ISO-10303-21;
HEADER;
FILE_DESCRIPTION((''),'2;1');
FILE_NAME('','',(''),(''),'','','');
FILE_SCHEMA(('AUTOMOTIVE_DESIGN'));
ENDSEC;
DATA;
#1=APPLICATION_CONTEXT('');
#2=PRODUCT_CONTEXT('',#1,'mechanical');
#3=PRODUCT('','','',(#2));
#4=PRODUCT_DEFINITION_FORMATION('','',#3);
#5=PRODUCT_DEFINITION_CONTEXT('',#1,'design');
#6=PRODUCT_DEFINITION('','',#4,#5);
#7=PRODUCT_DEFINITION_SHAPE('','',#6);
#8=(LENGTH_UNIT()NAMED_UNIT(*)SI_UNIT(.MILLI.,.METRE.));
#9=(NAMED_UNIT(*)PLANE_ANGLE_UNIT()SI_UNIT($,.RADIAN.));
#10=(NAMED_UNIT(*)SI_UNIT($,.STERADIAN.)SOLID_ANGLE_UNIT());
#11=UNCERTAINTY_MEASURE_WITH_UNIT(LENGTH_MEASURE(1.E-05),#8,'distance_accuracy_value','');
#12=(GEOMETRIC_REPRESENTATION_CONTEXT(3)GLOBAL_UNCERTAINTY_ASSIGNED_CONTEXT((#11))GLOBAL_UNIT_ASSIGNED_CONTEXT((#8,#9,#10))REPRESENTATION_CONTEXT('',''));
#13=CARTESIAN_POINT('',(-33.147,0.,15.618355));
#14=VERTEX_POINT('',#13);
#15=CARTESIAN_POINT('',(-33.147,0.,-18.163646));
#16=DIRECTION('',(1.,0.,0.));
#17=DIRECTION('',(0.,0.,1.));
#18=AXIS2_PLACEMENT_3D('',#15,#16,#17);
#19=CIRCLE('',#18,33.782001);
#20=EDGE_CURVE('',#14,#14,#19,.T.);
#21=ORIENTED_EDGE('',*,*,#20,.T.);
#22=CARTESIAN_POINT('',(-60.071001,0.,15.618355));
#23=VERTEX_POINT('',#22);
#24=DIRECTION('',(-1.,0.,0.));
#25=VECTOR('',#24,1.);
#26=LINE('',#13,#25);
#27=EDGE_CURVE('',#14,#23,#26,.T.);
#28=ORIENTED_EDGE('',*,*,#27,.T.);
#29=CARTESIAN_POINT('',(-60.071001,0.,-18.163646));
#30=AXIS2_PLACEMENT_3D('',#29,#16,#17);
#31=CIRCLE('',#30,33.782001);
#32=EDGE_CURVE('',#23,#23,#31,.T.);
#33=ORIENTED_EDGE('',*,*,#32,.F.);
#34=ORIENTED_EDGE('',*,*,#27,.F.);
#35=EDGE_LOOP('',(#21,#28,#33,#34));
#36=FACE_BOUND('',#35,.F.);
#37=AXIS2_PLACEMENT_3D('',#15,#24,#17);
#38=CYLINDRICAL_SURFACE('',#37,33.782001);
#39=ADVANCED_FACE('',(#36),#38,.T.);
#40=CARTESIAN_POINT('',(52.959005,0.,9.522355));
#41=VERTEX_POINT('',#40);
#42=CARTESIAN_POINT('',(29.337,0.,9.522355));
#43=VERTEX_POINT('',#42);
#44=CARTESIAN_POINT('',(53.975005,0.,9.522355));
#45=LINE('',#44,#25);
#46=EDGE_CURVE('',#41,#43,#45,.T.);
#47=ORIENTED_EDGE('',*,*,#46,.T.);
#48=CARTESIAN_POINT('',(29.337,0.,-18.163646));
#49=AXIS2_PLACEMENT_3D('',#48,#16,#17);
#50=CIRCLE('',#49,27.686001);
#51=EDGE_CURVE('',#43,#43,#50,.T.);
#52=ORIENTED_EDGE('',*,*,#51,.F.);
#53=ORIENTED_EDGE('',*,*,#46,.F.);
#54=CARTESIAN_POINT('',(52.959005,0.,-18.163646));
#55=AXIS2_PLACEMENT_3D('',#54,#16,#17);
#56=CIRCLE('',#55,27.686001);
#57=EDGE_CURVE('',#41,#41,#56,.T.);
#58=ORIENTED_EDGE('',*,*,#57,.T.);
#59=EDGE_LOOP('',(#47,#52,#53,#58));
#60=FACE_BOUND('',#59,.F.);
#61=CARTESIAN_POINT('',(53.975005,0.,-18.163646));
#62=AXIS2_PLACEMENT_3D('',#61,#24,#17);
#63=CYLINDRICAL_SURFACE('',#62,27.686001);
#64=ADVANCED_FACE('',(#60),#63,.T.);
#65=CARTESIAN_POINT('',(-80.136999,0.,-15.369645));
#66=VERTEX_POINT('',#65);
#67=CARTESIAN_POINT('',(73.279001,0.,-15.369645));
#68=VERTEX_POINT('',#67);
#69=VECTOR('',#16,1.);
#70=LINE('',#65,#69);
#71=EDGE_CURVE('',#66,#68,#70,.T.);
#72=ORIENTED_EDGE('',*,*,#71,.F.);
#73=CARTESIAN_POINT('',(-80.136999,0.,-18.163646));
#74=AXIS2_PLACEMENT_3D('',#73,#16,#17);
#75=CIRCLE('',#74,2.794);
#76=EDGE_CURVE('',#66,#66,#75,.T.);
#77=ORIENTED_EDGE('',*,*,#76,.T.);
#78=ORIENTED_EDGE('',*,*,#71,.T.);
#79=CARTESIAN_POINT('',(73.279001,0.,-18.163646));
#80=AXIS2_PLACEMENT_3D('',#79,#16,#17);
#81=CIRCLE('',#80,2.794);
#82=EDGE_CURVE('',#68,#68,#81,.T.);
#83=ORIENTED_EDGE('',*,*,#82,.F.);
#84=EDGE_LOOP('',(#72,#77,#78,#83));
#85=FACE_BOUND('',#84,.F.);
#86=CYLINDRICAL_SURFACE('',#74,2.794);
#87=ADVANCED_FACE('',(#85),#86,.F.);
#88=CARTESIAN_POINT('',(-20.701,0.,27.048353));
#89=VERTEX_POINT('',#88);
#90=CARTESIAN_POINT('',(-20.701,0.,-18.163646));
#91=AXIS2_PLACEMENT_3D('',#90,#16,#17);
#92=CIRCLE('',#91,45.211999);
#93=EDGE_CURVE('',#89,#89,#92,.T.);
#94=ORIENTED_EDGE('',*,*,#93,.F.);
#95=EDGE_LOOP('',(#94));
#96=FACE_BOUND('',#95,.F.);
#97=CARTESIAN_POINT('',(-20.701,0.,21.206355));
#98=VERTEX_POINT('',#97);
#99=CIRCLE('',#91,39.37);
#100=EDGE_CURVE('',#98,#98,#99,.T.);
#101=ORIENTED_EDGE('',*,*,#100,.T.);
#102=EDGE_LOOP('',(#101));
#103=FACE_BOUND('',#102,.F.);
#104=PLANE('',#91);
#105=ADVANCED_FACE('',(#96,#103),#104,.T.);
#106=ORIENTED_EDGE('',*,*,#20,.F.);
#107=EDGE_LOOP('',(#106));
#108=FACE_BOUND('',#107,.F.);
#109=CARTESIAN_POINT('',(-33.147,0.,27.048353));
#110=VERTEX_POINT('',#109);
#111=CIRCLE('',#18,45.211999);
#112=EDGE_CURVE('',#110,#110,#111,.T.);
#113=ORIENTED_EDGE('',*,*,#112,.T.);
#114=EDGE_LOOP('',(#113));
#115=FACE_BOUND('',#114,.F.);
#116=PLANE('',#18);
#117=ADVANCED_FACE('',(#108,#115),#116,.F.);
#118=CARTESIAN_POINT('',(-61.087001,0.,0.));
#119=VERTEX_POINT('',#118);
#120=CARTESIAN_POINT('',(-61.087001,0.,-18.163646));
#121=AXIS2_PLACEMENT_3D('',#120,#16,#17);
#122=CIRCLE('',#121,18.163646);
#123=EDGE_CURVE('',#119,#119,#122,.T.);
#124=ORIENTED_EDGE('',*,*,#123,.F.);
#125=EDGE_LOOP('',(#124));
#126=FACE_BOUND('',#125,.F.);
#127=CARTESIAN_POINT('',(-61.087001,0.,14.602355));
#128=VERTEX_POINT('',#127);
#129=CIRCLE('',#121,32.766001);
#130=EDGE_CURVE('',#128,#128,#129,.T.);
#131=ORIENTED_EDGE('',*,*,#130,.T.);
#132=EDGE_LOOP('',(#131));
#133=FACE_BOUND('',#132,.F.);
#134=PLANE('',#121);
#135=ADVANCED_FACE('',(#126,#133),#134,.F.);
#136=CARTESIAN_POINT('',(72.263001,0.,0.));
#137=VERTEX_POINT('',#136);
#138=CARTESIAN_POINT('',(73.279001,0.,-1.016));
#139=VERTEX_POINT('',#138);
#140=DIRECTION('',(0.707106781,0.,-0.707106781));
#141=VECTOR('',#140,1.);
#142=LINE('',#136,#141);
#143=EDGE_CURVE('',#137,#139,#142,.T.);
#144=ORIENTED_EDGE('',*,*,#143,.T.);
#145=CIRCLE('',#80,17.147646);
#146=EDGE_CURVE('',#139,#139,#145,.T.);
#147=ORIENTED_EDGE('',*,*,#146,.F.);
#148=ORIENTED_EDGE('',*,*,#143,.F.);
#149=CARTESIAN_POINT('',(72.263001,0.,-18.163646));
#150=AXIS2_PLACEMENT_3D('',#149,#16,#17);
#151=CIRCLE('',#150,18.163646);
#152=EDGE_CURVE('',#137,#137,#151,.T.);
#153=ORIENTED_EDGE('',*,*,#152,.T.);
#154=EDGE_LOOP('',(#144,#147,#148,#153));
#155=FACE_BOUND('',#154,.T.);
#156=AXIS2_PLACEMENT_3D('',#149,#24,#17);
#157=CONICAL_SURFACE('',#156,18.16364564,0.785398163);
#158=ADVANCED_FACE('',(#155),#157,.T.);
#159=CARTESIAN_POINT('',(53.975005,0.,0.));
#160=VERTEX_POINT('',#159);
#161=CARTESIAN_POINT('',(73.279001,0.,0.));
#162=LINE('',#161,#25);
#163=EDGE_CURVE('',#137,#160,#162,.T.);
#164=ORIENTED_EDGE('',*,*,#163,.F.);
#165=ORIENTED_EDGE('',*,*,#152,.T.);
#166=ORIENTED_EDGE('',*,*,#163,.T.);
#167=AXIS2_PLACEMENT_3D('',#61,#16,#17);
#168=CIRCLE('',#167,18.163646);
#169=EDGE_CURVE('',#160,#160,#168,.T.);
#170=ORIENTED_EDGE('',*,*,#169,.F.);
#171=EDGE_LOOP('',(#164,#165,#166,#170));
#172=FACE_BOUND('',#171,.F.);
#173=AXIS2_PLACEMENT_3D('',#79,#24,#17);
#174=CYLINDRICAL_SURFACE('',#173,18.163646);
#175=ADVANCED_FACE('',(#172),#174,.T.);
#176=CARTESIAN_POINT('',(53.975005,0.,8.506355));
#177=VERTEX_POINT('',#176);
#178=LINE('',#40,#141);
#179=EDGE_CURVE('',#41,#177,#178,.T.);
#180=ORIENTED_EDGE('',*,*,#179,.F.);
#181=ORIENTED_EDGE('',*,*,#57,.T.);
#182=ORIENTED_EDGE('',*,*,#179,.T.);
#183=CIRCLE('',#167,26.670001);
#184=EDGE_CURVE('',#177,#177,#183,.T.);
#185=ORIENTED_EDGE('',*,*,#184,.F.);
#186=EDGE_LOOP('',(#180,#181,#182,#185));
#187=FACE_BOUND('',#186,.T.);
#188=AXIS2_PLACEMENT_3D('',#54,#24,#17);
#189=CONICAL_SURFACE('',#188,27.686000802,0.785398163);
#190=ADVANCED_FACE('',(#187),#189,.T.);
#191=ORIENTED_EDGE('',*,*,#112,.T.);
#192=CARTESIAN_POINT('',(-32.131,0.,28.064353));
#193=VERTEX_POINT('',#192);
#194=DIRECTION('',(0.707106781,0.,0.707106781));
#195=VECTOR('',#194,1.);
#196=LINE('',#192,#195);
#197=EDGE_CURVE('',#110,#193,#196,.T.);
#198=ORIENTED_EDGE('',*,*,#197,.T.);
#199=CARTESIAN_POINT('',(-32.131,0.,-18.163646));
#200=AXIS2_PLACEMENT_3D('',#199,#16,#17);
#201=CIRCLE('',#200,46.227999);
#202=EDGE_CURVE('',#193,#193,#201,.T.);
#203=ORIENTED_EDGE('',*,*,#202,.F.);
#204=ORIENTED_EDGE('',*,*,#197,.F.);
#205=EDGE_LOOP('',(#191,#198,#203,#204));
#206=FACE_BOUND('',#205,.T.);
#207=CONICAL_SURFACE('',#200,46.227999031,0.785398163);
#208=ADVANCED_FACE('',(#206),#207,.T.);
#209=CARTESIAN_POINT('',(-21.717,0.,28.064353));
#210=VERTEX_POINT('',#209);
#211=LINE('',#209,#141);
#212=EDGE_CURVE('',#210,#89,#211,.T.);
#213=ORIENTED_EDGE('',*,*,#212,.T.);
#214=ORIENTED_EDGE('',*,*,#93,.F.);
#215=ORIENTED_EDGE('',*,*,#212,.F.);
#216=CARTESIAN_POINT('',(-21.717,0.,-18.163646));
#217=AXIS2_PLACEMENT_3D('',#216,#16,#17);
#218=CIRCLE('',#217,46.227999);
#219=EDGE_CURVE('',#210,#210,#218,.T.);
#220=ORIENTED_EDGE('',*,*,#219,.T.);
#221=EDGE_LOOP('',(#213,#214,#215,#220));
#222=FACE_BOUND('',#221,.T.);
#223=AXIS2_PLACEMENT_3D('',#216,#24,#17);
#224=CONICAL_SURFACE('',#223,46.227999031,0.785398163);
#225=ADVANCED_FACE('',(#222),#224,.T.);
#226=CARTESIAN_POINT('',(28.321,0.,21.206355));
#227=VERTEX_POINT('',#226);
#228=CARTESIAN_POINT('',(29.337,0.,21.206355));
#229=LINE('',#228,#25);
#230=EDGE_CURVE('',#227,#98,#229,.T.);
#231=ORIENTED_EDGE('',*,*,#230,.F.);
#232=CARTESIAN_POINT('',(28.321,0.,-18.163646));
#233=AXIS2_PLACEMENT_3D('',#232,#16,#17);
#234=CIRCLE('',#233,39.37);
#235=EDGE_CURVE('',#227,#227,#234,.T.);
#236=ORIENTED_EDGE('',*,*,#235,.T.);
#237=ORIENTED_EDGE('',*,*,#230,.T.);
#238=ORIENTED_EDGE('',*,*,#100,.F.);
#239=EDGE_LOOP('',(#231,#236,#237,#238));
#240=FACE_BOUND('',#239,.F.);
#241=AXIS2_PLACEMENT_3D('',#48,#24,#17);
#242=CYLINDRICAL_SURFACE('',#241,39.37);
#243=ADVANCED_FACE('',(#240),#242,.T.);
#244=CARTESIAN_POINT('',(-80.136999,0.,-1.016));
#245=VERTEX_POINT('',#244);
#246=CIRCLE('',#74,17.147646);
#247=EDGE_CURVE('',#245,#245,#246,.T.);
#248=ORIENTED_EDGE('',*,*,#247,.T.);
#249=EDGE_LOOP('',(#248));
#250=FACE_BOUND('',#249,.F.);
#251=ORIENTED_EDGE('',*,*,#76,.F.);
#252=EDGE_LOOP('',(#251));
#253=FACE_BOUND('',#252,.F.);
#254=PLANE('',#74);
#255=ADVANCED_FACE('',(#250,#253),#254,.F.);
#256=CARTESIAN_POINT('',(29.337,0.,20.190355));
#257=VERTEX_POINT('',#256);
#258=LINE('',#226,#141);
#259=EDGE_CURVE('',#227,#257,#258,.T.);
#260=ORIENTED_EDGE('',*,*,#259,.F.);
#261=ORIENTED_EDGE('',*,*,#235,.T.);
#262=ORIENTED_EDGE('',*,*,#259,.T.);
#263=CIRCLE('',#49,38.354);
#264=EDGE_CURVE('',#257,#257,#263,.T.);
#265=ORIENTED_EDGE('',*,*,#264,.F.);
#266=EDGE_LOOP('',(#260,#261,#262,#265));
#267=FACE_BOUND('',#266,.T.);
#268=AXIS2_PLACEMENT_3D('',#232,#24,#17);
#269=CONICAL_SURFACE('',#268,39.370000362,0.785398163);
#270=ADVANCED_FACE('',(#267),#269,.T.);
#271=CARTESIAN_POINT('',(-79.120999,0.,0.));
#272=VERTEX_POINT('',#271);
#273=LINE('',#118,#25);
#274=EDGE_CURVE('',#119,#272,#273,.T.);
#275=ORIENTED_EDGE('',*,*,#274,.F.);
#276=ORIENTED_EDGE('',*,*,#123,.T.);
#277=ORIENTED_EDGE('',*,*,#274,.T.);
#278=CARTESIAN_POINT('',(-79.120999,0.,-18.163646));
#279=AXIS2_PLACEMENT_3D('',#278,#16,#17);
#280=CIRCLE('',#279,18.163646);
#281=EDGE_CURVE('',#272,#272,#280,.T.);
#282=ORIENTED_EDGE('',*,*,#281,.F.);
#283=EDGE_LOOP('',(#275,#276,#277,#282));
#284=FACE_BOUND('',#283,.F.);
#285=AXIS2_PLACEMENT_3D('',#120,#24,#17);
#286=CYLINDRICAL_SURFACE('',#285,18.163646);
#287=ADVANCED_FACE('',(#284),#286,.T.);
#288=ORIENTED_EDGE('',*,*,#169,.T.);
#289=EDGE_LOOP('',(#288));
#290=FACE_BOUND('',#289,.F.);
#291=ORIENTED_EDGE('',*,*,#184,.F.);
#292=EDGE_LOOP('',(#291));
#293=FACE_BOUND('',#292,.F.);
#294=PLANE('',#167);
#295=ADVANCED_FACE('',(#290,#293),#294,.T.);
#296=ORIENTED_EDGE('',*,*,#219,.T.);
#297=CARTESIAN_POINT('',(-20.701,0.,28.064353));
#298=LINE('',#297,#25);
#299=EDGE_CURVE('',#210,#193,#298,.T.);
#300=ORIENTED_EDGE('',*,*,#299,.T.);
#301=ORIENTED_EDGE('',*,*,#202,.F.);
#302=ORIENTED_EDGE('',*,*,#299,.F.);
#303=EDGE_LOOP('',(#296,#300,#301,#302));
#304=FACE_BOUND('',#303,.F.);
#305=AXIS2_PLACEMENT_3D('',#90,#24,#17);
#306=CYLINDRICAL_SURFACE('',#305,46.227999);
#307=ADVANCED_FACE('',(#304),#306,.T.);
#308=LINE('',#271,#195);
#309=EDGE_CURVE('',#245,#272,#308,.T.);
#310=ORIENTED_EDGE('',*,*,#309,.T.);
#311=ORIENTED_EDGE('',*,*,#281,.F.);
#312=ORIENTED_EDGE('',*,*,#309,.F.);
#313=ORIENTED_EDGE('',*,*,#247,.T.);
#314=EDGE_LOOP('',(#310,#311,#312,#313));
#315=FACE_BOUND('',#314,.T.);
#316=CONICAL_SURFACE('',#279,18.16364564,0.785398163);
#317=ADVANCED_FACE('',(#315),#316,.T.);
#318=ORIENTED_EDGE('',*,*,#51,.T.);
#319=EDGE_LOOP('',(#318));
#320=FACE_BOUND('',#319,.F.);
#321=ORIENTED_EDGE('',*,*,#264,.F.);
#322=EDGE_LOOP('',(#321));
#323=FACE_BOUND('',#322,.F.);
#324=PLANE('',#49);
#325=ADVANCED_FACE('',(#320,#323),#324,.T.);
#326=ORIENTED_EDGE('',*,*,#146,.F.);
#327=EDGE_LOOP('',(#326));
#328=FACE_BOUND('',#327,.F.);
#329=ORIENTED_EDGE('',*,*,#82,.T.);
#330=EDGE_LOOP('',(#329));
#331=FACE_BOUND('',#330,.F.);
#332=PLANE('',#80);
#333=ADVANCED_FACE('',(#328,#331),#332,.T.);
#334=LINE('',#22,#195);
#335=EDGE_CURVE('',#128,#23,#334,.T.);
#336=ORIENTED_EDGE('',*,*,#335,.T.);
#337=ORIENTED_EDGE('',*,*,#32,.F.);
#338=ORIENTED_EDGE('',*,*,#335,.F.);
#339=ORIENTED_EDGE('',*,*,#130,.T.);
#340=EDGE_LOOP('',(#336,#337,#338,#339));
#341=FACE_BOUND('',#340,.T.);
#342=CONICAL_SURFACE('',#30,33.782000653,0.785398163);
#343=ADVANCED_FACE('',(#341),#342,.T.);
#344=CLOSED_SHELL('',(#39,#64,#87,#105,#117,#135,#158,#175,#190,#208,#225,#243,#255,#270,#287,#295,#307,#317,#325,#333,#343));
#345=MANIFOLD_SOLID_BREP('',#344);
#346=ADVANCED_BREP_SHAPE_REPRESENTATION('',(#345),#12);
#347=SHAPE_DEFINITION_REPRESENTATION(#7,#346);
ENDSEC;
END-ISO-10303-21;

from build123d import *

# Parameters (mm, degrees)
F2_SIZE = 1.016
F3_SIZE = 1.016
F4_SIZE = 1.016
F5_SIZE = 1.016
F6_SIZE = 1.016
F7_SIZE = 1.016
F8_SIZE = 1.016


with BuildPart() as f1:
    # F0 (on Front) → F1 (revolve)
    with BuildSketch(Plane.XZ):
        Polygon((-80.1369994879, 0), (-80.1369994879, -15.3696453199), (73.2790008187, -15.3696453199), (73.2790008187, 0), (53.9750047028, 0), (53.9750047028, 9.5223551616), (29.3370001018, 9.5223551616), (29.3370001018, 21.2063547224), (-20.7010004669, 21.2063547224), (-20.7010004669, 28.0643533915), (-33.1469997764, 28.0643533915), (-33.1469997764, 15.6183550134), (-61.0870011151, 15.6183550134), (-61.0870011151, 0), align=None)
    revolve(axis=Axis((-3.302000463, 0, -18.16364564), (1, 0, 0)))

    # F2
    f2_edges = [f1.edges().sort_by_distance(p)[0] for p in [
        (-80.136999, 0, -36.327291),
    ]]
    chamfer(f2_edges, length=F2_SIZE)

    # F3
    f3_edges = [f1.edges().sort_by_distance(p)[0] for p in [
        (-61.087001, 0, -51.945646),
    ]]
    chamfer(f3_edges, length=F3_SIZE)

    # F4
    f4_edges = [f1.edges().sort_by_distance(p)[0] for p in [
        (-33.147, 0, -64.391645),
    ]]
    chamfer(f4_edges, length=F4_SIZE)

    # F5
    f5_edges = [f1.edges().sort_by_distance(p)[0] for p in [
        (-20.701, 0, -64.391645),
    ]]
    chamfer(f5_edges, length=F5_SIZE)

    # F6
    f6_edges = [f1.edges().sort_by_distance(p)[0] for p in [
        (29.337, 0, -57.533646),
    ]]
    chamfer(f6_edges, length=F6_SIZE)

    # F7
    f7_edges = [f1.edges().sort_by_distance(p)[0] for p in [
        (53.975005, 0, -45.849646),
    ]]
    chamfer(f7_edges, length=F7_SIZE)

    # F8
    f8_edges = [f1.edges().sort_by_distance(p)[0] for p in [
        (73.279001, 0, -36.327291),
    ]]
    chamfer(f8_edges, length=F8_SIZE)


solid = f1.part
